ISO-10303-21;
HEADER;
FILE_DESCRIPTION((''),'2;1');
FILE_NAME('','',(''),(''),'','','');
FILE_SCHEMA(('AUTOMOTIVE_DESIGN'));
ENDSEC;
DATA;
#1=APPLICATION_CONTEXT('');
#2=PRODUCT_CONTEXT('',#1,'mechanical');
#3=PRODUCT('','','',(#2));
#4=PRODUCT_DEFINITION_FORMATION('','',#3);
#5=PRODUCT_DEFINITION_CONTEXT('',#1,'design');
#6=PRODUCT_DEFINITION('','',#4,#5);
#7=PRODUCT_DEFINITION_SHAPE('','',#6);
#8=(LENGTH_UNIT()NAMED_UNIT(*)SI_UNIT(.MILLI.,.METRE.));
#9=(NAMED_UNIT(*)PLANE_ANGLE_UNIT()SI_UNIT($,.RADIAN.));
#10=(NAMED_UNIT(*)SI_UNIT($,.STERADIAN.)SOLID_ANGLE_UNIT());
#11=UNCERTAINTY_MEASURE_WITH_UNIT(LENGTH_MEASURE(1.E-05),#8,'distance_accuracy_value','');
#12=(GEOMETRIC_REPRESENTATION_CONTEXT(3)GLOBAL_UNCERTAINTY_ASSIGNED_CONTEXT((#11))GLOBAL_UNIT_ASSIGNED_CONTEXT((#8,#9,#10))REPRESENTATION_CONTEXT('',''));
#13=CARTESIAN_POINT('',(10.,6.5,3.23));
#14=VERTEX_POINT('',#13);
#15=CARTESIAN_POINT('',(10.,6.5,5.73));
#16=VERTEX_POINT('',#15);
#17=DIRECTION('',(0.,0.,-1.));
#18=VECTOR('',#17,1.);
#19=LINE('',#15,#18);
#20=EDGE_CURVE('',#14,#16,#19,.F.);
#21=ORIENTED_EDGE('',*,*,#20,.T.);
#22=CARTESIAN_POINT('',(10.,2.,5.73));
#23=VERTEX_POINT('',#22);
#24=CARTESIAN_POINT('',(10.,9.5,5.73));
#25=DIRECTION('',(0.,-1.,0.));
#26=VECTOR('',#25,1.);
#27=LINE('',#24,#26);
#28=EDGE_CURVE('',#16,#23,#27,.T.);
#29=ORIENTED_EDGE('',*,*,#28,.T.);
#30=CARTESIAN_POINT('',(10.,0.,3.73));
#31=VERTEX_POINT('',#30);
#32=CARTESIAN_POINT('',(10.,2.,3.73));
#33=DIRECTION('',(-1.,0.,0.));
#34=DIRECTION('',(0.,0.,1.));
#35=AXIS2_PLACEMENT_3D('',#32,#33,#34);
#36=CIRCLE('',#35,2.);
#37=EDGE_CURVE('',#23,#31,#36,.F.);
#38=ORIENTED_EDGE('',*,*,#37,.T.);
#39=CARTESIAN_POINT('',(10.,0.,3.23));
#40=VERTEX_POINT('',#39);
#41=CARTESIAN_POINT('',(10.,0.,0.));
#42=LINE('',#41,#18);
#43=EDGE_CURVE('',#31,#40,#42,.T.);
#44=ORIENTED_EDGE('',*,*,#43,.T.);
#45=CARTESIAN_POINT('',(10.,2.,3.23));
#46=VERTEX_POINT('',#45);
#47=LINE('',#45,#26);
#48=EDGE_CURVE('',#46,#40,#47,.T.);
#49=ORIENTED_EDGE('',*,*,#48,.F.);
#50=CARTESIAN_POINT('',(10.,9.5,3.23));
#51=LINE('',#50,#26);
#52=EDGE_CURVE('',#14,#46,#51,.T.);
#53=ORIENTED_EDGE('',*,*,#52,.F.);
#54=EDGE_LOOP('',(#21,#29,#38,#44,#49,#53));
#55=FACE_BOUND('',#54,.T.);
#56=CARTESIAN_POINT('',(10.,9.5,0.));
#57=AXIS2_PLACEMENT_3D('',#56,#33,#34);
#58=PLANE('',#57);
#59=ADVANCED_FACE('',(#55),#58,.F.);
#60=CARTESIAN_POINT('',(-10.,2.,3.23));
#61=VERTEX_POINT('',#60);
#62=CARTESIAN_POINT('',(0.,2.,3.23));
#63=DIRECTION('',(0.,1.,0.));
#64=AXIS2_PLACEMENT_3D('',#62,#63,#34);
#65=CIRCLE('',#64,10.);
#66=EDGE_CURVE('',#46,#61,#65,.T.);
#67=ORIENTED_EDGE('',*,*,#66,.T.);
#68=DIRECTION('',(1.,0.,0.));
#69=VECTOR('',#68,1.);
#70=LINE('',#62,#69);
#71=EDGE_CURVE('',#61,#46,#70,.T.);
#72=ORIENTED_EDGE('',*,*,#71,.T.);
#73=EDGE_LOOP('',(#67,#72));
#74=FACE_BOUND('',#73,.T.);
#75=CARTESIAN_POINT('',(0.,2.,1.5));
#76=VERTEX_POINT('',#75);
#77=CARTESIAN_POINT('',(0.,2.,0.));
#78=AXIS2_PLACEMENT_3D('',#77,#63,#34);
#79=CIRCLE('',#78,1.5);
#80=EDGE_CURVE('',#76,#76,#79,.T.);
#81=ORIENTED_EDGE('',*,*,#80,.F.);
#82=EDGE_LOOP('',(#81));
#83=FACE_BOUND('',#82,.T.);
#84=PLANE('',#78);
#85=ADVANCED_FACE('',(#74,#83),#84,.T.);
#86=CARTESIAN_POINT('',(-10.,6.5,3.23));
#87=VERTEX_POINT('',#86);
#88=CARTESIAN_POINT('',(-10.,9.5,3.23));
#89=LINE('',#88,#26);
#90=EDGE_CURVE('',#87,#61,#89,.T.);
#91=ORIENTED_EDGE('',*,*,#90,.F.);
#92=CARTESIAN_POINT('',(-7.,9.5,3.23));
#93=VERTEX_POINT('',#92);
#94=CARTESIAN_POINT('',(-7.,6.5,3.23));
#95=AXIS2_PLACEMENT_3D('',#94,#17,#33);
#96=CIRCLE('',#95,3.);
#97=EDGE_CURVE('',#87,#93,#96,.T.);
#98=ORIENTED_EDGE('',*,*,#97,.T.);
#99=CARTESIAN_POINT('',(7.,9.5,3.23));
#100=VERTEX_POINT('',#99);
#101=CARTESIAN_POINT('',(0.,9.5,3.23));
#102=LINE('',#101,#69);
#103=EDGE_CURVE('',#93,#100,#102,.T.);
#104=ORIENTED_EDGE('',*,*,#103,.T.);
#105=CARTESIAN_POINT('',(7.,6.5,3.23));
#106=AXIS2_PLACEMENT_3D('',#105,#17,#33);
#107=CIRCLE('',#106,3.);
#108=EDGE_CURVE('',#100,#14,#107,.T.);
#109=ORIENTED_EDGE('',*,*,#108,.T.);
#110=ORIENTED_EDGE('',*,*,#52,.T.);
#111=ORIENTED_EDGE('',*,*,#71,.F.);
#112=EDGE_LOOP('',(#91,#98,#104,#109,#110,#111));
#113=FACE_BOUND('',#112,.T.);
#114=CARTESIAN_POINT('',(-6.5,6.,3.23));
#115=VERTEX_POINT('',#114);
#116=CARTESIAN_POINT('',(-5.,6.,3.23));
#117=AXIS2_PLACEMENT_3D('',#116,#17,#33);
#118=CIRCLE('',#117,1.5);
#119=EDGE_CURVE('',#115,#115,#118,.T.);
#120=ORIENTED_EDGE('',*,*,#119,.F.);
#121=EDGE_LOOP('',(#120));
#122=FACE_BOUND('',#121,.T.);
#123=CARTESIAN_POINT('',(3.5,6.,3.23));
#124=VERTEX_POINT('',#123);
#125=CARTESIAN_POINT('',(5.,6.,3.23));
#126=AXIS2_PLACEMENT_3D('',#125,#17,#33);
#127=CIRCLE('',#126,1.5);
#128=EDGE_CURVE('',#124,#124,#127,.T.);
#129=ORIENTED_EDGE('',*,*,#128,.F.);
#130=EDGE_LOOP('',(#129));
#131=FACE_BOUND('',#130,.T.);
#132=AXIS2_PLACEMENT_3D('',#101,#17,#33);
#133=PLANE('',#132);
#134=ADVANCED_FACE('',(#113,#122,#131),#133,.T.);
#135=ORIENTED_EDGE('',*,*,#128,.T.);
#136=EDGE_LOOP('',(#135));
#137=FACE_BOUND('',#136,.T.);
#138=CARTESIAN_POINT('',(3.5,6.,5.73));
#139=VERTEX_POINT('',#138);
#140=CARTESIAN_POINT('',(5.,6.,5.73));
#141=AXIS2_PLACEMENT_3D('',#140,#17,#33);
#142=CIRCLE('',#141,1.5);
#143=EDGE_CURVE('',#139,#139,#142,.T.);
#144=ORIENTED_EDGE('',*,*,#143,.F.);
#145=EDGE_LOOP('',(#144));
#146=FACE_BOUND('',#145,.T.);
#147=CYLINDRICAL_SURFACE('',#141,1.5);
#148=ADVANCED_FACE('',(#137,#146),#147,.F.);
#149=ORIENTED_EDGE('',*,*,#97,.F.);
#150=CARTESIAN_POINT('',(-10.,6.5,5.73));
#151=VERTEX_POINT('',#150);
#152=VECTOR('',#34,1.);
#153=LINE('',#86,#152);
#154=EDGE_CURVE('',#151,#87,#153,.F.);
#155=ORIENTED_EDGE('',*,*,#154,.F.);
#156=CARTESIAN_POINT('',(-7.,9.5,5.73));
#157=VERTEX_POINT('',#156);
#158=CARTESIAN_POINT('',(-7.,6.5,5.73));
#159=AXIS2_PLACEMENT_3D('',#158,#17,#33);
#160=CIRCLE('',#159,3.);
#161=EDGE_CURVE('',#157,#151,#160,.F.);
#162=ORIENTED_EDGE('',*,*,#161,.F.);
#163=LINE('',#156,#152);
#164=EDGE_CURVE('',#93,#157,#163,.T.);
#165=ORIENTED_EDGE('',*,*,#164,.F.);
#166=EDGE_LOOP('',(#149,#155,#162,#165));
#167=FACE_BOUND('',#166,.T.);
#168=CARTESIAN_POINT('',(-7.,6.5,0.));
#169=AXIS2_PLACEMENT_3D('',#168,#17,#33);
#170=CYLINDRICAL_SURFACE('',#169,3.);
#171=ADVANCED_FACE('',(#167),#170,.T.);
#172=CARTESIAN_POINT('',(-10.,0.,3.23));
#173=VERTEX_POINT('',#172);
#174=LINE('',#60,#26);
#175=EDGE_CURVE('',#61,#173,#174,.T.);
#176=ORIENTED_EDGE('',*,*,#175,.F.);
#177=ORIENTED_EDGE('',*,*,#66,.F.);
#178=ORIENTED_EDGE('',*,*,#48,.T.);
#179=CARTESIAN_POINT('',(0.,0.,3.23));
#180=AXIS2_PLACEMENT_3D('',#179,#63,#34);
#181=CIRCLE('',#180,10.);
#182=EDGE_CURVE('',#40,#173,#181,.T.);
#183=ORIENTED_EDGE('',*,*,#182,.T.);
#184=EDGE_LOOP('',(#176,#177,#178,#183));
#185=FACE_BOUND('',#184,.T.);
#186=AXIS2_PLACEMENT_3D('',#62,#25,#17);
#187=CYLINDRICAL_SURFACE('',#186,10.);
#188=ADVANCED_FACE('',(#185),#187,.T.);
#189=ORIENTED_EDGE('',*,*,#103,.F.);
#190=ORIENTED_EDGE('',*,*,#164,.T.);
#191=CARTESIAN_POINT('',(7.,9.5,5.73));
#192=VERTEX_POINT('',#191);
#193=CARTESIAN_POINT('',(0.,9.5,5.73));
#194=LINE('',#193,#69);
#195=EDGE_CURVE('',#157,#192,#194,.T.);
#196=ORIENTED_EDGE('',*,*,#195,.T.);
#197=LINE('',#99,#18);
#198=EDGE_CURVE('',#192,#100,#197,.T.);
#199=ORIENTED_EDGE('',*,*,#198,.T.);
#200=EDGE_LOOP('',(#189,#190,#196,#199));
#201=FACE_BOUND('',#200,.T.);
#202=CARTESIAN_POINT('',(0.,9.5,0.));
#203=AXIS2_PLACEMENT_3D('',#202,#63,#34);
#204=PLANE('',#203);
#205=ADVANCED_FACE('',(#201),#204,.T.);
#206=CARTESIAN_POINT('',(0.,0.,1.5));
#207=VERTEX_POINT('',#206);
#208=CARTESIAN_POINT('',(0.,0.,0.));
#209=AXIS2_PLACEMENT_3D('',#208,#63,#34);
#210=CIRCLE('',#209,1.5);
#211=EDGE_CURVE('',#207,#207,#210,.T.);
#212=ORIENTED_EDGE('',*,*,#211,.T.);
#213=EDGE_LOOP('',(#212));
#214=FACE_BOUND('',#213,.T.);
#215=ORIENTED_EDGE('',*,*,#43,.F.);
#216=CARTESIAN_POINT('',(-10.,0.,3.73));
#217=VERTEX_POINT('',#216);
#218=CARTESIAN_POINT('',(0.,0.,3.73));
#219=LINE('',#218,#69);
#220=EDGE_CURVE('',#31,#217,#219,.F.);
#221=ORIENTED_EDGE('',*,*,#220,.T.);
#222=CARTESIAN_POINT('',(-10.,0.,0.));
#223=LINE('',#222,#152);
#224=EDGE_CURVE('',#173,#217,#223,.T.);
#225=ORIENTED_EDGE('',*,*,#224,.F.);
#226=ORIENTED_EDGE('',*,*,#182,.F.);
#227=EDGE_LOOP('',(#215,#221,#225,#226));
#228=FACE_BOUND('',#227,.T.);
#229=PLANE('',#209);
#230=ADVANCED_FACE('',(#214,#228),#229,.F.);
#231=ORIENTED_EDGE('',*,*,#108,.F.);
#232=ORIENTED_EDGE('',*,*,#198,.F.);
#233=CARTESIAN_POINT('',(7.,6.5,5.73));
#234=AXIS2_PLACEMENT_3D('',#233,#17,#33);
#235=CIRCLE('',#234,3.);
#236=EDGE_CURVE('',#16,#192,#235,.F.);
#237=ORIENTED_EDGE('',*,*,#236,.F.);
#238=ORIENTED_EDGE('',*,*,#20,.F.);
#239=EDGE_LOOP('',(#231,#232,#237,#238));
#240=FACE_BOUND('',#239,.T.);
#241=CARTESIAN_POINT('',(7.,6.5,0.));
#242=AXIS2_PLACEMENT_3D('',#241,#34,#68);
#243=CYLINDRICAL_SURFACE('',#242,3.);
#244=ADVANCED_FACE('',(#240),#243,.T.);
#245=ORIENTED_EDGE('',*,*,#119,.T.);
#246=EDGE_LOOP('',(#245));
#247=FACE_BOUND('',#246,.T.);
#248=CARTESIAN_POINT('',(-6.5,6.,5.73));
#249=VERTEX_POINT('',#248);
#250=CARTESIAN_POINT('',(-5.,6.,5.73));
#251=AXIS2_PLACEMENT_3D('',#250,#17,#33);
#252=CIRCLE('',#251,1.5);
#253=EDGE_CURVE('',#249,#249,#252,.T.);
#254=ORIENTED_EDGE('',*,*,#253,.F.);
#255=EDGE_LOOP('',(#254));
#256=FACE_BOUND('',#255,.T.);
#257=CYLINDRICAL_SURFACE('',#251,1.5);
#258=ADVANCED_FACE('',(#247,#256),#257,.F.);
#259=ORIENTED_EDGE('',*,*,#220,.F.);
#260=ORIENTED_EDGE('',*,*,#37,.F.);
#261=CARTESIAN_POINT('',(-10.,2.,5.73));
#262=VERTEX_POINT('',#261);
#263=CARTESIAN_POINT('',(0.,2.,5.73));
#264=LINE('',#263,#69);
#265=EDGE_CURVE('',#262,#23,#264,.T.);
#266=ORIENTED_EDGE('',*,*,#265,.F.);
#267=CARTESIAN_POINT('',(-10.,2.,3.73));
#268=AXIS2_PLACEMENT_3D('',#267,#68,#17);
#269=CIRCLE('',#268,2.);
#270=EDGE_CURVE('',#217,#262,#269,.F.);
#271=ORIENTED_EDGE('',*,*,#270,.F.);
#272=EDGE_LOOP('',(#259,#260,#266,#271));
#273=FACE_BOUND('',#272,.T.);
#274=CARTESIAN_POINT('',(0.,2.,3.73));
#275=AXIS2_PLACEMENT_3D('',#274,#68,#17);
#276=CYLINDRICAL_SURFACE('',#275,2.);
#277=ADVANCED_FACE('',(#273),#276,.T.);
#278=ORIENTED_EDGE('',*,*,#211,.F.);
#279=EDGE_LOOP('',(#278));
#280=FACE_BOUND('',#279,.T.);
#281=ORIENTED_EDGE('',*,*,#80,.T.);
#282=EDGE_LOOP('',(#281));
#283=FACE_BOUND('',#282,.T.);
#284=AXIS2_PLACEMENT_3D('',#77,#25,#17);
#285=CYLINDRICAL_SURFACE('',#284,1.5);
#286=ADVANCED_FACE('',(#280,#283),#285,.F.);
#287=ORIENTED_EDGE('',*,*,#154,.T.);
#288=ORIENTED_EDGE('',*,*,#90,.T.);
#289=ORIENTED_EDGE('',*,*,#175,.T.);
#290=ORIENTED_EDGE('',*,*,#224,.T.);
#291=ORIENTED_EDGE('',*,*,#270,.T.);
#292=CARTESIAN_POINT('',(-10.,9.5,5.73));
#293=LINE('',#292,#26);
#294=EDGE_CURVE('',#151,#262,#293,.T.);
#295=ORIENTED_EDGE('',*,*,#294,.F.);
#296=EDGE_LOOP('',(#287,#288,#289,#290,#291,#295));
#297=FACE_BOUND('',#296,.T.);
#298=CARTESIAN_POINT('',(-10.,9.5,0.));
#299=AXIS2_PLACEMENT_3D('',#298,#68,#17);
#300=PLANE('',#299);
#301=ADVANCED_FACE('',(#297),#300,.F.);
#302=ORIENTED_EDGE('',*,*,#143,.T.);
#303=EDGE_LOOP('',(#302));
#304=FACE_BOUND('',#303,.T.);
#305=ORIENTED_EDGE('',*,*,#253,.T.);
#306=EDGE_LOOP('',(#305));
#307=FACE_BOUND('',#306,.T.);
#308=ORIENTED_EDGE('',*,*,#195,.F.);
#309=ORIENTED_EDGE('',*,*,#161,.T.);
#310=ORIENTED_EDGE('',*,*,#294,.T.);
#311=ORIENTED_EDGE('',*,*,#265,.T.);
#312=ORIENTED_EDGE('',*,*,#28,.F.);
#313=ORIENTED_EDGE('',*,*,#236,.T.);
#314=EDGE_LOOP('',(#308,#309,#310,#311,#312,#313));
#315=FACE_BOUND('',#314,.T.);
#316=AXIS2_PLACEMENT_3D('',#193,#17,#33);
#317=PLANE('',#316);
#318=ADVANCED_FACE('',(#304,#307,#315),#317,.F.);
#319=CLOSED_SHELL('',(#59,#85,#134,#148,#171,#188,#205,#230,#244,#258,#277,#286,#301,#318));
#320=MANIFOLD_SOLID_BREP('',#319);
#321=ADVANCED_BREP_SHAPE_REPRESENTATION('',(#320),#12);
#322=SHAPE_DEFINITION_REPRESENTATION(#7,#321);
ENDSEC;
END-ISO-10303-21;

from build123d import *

# Parameters (mm, degrees)
SKETCH_1_R          = 1.5
EXTRUDE_2_DEPTH     = 2
SKETCH_1_5_W        = 20
SKETCH_1_5_H        = 2.5
EXTRUDE_3_DEPTH     = 9.5
SKETCH_2_R          = 1.5
CUT_EXTRUDE_1_DEPTH = 18.036725037
FILLET_1_R          = 3
FILLET_2_R          = 2


with BuildPart() as part:
    # 草图1 → 凸台-拉伸2 (new body)
    with BuildSketch(Plane(origin=(0, 0, 0), x_dir=(1, 0, 0), z_dir=(0, 1, 0))):
        with BuildLine():
            ThreePointArc((10, -3.23), (0, 6.77), (-10, -3.23))
            Line((-10, -3.23), (10, -3.23))
        make_face()
        Circle(SKETCH_1_R, mode=Mode.SUBTRACT)
    extrude(amount=EXTRUDE_2_DEPTH)

    # 草图1<5> → 凸台-拉伸3 (add)
    with BuildSketch(Plane(origin=(0, 0, 0), x_dir=(1, 0, 0), z_dir=(0, 1, 0))):
        with Locations((0, -4.48)):
            Rectangle(SKETCH_1_5_W, SKETCH_1_5_H)
    extrude(amount=EXTRUDE_3_DEPTH)

    # 草图2 → 切除-拉伸1 (cut, through all)
    with BuildSketch(Plane(origin=(0, 0, 3.23), x_dir=(-1, 0, 0), z_dir=(0, 0, -1))):
        with Locations((5, 6)):
            Circle(SKETCH_2_R)
        with Locations((-5, 6)):
            Circle(SKETCH_2_R)
    extrude(amount=-CUT_EXTRUDE_1_DEPTH, mode=Mode.SUBTRACT)

    # 圆角1
    fillet_1_edges = [part.edges().sort_by_distance(p)[0] for p in [
        (10, 9.5, 4.48),
        (-10, 9.5, 4.48),
    ]]
    fillet(fillet_1_edges, radius=FILLET_1_R)

    # 圆角2
    fillet_2_edges = [part.edges().sort_by_distance(p)[0] for p in [
        (0, 0, 5.73),
    ]]
    fillet(fillet_2_edges, radius=FILLET_2_R)


solid = part.part
